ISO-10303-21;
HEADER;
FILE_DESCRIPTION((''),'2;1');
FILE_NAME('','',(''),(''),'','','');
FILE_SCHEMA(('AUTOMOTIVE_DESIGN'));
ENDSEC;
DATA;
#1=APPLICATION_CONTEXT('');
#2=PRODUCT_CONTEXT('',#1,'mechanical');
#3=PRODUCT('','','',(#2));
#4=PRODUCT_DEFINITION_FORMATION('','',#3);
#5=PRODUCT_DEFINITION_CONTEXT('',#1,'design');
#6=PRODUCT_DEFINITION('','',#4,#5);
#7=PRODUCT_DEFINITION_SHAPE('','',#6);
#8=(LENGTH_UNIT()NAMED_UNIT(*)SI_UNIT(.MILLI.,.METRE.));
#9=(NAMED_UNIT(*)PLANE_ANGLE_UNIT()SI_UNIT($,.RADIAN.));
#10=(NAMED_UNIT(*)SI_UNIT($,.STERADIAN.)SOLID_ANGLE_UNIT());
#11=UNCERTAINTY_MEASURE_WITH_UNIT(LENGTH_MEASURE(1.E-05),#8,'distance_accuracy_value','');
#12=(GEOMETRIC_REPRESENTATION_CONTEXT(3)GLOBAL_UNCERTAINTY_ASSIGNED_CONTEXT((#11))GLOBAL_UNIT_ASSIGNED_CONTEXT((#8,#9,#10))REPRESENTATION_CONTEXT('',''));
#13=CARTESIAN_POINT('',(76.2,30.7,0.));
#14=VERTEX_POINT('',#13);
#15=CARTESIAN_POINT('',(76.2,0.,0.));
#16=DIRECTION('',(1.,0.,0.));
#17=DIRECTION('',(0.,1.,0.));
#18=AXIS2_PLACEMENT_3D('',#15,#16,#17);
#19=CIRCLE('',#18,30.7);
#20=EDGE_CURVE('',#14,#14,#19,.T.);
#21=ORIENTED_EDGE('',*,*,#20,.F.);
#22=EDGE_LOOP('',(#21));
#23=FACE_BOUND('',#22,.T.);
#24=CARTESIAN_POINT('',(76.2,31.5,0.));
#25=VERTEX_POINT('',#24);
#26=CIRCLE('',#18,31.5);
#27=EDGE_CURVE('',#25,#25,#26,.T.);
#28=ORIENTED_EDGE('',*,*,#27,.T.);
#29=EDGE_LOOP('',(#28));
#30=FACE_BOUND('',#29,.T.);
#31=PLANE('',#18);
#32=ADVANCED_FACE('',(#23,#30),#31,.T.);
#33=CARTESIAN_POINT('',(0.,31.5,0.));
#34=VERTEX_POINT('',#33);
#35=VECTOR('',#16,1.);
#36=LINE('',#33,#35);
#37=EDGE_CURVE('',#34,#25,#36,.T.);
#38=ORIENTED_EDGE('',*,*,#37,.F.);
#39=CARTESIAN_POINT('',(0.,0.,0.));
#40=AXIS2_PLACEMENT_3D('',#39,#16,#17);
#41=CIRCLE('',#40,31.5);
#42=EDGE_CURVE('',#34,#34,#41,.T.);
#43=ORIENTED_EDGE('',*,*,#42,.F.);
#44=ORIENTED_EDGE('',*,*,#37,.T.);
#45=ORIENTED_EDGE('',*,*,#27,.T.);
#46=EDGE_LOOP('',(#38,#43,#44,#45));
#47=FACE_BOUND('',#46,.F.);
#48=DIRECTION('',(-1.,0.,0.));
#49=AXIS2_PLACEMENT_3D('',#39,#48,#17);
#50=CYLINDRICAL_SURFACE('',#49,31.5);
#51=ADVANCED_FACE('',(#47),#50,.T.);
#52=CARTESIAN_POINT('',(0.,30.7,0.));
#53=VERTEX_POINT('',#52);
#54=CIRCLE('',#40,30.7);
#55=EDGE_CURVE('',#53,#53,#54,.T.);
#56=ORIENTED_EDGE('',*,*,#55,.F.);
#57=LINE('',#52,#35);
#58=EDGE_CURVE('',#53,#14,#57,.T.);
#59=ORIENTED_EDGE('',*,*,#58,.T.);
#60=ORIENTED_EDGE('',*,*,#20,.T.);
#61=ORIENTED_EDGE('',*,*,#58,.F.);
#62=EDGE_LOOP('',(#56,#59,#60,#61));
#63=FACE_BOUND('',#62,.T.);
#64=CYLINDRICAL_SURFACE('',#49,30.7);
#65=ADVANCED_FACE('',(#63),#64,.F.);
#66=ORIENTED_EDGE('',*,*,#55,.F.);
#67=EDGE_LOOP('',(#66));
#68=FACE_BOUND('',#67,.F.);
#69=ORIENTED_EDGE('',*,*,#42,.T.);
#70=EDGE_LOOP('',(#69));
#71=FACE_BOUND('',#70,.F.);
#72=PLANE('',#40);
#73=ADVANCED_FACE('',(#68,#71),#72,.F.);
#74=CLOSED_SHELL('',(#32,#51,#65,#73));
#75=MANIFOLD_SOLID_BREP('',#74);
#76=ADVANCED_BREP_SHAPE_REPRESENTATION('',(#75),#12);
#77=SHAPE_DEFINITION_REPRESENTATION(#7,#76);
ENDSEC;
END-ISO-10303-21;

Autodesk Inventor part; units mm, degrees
ref_plane "YZ Plane" through (0, 0, 0) normal (1, 0, 0) x (0, 1, 0)
ref_plane "XZ Plane" through (0, 0, 0) normal (0, 1, 0) x (-1, 0, 0)
ref_plane "XY Plane" through (0, 0, 0) normal (0, 0, 1) x (1, 0, 0)
sketch "Sketch1" plane through (0, 0, 0) normal (1, 0, 0) x (0, 1, 0)
  circle A0 centre (0, 0) radius 31.5
  circle A1 centre (0, 0) radius 30.7
  dimension "d0" = 63
  dimension "d1" = 0.8
extrude "Extrusion1" add sketch "Sketch1" along normal blind 76.2
equation "\"d0\" = OD"
equation "\"d1\" = t"
equation "\"d2\" = L"
equation "\"OD\" = 63"
equation "\"t\" = 0.8"
equation "\"L\" = PL"
equation "\"ID\" = 61.4"
equation "\"PL\" = 76.2"
properties part number "ISO 4065 Pipe DN63x0.8xS40 - 76.20000000" material "PVC-Piping"
